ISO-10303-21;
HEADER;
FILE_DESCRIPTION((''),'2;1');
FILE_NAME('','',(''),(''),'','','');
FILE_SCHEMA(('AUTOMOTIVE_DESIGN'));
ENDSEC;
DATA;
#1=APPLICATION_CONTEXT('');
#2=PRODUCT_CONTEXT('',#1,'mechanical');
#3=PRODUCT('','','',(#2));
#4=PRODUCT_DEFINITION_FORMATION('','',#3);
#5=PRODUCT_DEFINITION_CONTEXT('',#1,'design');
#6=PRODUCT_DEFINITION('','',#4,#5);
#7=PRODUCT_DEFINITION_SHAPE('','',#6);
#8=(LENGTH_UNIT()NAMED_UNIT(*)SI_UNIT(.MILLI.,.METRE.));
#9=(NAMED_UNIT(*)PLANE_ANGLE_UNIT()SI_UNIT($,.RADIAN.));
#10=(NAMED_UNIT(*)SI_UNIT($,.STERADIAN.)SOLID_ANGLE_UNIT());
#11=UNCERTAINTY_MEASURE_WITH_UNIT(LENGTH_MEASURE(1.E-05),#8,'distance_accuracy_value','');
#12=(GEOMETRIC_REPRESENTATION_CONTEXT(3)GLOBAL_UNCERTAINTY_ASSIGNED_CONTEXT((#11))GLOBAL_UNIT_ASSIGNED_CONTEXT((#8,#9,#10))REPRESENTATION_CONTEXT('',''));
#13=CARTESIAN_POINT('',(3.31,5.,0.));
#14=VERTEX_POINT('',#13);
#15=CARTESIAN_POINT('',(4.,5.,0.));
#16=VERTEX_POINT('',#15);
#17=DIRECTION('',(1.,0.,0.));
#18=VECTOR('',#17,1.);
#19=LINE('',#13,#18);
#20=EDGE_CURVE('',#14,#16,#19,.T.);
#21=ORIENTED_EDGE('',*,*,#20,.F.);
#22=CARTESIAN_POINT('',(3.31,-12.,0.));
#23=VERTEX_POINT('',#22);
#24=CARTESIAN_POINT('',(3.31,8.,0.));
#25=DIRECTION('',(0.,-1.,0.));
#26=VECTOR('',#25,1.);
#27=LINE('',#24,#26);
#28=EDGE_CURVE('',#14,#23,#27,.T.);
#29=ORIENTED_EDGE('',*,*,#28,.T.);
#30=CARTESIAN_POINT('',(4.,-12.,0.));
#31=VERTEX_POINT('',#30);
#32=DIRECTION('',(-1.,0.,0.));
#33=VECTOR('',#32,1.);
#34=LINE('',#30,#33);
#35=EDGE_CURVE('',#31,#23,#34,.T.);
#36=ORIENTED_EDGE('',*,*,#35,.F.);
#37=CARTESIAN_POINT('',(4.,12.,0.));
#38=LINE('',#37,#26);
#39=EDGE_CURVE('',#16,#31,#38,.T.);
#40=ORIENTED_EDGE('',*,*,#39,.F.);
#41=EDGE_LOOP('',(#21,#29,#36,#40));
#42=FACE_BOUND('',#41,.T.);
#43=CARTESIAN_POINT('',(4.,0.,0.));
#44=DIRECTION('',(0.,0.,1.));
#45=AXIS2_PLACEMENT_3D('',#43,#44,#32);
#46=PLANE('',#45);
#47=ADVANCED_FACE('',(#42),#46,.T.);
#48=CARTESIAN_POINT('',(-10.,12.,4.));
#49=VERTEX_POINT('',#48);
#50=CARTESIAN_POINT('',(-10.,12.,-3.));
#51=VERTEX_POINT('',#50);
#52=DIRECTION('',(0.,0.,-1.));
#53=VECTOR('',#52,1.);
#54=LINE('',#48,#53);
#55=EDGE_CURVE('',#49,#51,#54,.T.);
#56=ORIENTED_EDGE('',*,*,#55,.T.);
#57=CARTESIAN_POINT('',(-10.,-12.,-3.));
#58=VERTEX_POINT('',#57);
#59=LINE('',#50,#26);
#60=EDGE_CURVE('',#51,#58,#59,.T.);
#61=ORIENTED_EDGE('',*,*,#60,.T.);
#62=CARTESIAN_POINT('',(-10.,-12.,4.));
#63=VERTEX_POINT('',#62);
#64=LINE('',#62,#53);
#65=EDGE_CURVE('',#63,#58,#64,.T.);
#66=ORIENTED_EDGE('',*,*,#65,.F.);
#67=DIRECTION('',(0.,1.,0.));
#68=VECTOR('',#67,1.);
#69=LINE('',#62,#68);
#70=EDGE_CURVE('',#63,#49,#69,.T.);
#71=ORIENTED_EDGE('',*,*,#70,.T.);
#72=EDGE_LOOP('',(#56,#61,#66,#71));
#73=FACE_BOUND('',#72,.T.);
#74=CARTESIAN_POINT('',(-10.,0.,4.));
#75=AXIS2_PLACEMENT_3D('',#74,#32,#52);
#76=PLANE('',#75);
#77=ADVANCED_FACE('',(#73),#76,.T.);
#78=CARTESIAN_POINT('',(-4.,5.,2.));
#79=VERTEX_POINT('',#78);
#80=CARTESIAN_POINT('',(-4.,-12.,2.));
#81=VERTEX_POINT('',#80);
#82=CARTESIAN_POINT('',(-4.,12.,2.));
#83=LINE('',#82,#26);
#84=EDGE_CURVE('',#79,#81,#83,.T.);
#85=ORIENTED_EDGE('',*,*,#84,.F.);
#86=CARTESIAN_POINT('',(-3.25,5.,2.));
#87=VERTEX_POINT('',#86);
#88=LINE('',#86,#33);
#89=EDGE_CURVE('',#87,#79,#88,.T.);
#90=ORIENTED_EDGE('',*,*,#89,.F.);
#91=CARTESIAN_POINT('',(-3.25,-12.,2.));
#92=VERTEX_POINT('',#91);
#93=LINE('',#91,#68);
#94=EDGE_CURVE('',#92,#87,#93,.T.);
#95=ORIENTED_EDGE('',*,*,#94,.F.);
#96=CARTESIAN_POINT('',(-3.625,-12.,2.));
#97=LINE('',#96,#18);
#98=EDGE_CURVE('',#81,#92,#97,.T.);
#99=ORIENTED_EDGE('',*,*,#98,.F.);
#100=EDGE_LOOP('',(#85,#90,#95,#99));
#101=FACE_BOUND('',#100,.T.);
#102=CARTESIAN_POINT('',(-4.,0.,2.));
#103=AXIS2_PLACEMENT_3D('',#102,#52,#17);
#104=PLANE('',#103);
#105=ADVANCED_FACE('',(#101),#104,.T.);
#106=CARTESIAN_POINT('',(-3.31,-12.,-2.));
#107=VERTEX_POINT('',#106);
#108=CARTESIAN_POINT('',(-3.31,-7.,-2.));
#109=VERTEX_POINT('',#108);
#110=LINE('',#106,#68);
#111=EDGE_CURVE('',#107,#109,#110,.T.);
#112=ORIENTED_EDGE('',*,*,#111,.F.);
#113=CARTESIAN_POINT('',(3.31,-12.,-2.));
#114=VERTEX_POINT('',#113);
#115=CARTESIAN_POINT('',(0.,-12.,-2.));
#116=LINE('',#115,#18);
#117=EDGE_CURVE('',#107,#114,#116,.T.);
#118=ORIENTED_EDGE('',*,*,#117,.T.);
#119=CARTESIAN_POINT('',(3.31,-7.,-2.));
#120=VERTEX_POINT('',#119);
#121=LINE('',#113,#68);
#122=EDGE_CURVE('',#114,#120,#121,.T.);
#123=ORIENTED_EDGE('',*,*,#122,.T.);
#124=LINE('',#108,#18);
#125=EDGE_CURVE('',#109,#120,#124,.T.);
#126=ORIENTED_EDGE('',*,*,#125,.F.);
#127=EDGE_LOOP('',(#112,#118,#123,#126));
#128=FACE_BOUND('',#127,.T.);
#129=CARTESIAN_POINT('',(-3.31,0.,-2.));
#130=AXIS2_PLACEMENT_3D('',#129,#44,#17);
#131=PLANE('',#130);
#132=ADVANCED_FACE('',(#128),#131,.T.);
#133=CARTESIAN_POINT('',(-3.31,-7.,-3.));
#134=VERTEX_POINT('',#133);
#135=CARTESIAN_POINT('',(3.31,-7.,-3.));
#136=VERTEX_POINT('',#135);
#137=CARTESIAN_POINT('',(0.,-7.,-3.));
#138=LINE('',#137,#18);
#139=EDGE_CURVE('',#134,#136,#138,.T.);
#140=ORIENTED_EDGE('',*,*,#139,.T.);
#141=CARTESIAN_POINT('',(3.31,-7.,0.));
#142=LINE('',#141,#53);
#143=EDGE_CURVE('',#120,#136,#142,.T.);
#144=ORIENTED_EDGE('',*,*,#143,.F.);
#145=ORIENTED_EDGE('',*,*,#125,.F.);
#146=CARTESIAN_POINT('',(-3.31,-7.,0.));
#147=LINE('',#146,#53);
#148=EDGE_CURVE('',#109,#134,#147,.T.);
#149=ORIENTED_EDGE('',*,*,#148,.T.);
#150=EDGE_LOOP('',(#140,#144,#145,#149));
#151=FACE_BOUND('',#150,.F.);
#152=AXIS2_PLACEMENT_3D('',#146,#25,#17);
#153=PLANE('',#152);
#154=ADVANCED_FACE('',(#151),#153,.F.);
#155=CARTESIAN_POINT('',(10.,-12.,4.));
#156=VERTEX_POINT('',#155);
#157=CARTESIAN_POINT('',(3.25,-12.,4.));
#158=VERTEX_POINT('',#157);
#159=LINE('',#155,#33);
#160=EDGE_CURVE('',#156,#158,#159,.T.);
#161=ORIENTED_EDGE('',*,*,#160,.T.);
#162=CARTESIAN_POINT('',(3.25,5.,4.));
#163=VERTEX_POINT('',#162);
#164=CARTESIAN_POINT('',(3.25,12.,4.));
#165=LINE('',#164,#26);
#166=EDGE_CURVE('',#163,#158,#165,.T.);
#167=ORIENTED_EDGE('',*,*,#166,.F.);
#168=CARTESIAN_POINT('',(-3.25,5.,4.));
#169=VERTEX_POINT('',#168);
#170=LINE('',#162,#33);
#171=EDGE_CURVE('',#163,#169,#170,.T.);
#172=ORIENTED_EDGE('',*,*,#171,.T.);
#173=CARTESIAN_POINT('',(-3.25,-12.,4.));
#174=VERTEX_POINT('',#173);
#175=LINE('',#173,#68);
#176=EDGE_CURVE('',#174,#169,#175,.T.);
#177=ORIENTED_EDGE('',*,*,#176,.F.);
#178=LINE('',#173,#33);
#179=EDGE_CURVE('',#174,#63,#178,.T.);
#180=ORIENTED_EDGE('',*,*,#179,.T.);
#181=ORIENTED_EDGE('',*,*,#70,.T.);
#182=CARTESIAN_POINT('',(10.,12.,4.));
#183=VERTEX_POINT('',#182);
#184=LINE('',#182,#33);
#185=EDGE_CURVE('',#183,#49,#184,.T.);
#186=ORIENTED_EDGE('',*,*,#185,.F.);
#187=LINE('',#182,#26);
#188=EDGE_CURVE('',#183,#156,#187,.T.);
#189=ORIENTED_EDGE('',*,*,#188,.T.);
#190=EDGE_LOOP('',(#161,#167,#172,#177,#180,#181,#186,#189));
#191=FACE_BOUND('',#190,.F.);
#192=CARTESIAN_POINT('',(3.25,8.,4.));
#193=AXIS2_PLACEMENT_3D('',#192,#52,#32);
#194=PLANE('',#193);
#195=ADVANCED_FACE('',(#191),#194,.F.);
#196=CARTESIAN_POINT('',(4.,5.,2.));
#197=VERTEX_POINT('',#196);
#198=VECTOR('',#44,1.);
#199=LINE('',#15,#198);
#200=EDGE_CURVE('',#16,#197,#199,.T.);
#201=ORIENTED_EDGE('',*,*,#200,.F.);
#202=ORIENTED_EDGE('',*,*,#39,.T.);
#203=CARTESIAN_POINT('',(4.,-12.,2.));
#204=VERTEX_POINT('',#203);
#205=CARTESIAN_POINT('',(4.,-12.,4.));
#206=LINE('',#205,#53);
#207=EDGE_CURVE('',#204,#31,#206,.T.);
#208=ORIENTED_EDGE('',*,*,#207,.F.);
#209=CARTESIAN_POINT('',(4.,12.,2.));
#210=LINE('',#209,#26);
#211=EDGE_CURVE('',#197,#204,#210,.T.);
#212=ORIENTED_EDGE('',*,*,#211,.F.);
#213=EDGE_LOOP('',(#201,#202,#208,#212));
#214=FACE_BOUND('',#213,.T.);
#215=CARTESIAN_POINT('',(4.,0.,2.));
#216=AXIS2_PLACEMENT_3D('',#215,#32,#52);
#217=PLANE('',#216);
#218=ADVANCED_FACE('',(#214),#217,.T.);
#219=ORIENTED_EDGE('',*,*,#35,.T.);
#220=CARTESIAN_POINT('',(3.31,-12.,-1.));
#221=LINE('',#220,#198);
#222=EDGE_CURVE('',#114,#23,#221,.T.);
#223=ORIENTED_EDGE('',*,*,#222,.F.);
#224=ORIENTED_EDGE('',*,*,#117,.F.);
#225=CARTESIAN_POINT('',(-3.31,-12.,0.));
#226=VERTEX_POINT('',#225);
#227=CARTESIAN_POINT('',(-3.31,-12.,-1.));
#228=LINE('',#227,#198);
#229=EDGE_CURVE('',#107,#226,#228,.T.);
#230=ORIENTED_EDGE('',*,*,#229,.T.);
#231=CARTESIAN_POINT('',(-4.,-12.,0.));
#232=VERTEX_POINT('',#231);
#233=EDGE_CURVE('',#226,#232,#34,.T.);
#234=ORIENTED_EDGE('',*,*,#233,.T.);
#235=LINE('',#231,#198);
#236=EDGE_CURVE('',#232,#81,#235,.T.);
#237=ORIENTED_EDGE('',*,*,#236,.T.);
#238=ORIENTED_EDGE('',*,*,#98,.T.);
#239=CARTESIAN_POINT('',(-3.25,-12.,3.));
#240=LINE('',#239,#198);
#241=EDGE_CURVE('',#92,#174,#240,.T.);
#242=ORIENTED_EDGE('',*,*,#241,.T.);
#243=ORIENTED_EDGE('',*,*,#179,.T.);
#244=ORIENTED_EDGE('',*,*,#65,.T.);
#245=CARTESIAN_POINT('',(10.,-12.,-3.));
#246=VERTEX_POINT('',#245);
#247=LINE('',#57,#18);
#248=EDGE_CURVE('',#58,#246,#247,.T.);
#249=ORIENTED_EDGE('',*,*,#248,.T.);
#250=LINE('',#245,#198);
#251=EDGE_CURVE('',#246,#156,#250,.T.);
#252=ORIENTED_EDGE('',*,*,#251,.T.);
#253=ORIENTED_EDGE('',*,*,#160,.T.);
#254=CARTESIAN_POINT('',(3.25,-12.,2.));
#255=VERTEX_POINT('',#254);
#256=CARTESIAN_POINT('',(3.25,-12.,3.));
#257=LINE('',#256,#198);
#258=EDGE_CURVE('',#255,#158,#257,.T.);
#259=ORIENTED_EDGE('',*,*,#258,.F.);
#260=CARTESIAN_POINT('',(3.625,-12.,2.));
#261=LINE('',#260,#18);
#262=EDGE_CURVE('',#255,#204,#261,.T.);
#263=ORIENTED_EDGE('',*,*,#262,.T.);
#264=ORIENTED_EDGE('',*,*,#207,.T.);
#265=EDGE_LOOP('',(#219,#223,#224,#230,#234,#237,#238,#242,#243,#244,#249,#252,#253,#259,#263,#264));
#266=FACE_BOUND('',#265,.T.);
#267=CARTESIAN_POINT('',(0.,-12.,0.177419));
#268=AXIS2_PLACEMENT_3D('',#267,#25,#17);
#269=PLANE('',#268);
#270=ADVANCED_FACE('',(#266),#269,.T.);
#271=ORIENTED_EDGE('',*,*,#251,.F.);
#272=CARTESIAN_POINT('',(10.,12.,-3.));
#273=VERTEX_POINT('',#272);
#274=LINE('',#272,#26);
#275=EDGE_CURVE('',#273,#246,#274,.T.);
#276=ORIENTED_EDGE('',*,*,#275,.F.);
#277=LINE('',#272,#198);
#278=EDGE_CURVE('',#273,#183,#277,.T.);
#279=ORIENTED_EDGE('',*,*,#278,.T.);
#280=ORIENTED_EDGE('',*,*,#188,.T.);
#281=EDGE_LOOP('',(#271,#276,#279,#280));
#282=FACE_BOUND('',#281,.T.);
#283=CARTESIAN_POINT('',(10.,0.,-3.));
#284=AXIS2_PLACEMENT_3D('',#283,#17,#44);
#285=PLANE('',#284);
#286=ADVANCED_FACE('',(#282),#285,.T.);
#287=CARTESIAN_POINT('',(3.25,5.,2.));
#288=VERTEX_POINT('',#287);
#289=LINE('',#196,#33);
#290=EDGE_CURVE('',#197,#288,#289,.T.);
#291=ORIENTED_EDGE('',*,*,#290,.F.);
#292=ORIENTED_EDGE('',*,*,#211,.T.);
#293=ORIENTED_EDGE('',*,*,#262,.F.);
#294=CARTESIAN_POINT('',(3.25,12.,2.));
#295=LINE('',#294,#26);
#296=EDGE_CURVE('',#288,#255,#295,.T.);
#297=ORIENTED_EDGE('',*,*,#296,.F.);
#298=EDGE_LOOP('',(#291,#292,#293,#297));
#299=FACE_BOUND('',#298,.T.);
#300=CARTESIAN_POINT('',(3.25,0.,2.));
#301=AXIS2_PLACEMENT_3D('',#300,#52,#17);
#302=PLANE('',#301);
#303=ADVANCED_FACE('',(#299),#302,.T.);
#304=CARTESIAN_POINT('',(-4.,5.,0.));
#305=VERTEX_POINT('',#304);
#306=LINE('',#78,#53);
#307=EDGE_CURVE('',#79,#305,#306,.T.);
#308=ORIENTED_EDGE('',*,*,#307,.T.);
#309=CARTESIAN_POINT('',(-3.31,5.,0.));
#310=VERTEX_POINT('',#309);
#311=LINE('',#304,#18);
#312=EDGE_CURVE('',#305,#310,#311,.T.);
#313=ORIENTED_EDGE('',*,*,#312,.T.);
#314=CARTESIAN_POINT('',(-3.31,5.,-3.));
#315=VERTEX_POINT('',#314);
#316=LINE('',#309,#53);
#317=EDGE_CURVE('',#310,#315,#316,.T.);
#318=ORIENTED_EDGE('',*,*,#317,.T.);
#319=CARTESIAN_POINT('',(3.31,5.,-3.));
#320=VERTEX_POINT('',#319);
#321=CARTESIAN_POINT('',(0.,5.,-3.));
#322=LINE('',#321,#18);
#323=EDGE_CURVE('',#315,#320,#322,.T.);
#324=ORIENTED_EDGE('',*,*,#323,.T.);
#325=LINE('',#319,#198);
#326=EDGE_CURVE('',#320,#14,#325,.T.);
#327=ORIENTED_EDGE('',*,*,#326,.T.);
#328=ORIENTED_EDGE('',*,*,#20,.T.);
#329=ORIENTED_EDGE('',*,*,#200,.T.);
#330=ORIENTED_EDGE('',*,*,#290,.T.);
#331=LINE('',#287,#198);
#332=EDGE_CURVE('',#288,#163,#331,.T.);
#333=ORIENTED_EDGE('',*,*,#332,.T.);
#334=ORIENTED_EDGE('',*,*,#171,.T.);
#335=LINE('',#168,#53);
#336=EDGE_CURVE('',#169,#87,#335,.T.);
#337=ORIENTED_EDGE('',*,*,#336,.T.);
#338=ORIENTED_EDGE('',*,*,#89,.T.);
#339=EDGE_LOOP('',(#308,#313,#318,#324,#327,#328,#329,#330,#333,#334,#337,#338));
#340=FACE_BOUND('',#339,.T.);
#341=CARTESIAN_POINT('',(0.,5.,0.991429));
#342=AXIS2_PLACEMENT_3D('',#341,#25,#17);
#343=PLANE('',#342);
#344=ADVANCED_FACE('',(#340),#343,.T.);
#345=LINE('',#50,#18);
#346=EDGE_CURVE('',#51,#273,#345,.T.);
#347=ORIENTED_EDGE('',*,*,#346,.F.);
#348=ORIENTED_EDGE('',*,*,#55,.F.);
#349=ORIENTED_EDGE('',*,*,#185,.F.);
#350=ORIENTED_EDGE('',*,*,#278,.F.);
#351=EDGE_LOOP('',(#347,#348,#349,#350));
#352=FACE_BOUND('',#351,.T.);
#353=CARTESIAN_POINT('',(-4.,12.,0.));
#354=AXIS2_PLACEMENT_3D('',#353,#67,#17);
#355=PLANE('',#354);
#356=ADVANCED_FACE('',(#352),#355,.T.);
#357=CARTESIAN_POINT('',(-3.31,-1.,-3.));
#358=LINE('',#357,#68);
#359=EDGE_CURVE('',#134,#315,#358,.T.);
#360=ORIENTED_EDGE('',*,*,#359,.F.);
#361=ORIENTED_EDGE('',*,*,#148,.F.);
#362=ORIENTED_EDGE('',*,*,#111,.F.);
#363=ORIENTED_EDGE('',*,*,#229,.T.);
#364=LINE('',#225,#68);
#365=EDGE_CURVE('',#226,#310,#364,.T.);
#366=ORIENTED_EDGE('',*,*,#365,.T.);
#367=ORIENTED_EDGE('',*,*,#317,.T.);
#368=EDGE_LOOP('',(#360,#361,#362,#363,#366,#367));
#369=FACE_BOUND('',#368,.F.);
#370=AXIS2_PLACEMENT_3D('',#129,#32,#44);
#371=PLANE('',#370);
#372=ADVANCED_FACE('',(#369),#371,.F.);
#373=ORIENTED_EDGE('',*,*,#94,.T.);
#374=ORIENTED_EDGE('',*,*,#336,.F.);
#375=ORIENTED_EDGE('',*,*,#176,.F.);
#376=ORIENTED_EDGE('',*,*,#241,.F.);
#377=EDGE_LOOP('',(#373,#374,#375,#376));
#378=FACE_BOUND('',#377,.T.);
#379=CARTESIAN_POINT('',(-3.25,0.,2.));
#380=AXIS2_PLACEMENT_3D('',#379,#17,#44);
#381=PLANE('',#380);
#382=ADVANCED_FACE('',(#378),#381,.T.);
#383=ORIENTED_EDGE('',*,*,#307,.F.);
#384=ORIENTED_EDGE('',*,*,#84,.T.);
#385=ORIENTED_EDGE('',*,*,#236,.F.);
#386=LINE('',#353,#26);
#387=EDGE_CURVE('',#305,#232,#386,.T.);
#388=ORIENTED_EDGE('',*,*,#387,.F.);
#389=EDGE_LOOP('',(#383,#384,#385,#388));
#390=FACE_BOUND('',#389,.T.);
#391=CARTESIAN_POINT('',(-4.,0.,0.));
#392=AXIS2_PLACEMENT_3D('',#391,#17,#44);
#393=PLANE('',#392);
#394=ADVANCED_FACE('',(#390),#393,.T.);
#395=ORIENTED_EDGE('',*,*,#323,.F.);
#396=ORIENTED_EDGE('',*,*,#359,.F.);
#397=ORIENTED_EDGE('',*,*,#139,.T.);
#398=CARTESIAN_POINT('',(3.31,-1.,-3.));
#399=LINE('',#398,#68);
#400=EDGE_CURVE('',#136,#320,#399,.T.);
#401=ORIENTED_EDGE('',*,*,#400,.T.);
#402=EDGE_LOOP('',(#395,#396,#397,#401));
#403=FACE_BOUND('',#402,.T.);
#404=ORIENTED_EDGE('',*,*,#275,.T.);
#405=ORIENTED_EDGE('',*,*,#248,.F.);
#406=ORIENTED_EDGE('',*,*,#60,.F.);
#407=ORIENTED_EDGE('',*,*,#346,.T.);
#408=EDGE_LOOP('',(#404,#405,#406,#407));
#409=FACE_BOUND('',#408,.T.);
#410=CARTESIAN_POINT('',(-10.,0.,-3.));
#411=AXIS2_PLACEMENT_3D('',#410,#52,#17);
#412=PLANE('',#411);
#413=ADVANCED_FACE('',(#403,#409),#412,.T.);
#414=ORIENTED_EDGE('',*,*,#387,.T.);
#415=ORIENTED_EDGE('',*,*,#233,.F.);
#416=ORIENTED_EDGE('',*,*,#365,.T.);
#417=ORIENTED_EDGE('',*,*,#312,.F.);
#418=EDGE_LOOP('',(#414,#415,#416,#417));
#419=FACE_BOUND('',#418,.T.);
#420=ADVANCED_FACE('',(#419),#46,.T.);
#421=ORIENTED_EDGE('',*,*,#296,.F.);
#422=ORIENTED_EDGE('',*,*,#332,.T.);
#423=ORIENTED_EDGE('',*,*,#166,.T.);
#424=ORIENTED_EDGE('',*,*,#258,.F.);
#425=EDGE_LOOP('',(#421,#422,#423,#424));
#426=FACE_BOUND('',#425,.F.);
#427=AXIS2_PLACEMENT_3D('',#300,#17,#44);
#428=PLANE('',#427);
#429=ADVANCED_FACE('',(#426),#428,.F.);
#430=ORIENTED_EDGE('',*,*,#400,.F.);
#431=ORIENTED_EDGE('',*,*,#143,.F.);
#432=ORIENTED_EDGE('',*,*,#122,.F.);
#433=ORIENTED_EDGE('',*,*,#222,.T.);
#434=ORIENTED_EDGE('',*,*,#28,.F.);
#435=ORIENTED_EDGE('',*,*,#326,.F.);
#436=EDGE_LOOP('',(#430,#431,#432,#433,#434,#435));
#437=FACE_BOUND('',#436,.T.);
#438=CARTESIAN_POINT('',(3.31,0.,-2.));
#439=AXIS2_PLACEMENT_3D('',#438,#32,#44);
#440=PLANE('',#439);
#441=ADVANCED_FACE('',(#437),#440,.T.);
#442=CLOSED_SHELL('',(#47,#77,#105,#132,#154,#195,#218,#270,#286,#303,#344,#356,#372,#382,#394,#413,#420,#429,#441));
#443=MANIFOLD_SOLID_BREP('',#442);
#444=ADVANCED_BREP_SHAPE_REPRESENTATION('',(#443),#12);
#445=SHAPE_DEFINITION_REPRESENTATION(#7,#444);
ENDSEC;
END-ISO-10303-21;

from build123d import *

# Parameters (mm, degrees)
F0_W     = 0.75
F0_H     = 2
F1_DEPTH = 12
F2_W     = 6.62
F2_H     = 2
F3_DEPTH = 12
F4_DEPTH = 8
F5_W     = 8
F5_H     = 4
F6_DEPTH = 4
F7_W     = 6.62
F7_H     = 12
F8_DEPTH = 3
F9_DEPTH = 3


with BuildPart() as f1:
    # F0 (on Front) → F1 (new body, symmetric)
    with BuildSketch(Plane.XZ):
        Polygon((-4, 4), (-10, 4), (-10, -3), (10, -3), (10, 4), (4, 4), (4, 2), (4, 0), (-4, 0), (-4, 2), align=None)
        with Locations((-3.625, 3)):
            Rectangle(F0_W, F0_H)
        with Locations((3.625, 3)):
            Rectangle(F0_W, F0_H)
    extrude(amount=F1_DEPTH, both=True)

    # F2 (on Front) → F3 (cut)
    with BuildSketch(Plane.XZ):
        with Locations((0, -1)):
            Rectangle(F2_W, F2_H)
    extrude(amount=F3_DEPTH, mode=Mode.SUBTRACT)

    # F2 (on Front) → F4 (cut)
    with BuildSketch(Plane.XZ):
        with Locations((0, -1)):
            Rectangle(F2_W, F2_H)
    extrude(amount=-F4_DEPTH, mode=Mode.SUBTRACT)

    # F5 (on Top) → F6 (join)
    with BuildSketch(Plane.XY):
        with Locations((0, 10)):
            Rectangle(F5_W, F5_H)
    extrude(amount=F6_DEPTH)

    # F7 (on Top) → F8 (cut)
    with BuildSketch(Plane.XY):
        with Locations((0, -1)):
            Rectangle(F7_W, F7_H)
    extrude(amount=-F8_DEPTH, mode=Mode.SUBTRACT)

    # F6_face (on face) → F9 (join)
    with BuildSketch(Plane(origin=(0, 8, 0.988636), x_dir=(1, 0, 0), z_dir=(0, -1, 0))):
        Polygon((-4, -0.988636), (-3.31, -0.988636), (-3.31, -2.988636), (3.31, -2.988636), (3.31, -0.988636), (4, -0.988636), (4, 1.011364), (3.25, 1.011364), (3.25, 3.011364), (-3.25, 3.011364), (-3.25, 1.011364), (-4, 1.011364), align=None)
    extrude(amount=F9_DEPTH)


solid = f1.part
